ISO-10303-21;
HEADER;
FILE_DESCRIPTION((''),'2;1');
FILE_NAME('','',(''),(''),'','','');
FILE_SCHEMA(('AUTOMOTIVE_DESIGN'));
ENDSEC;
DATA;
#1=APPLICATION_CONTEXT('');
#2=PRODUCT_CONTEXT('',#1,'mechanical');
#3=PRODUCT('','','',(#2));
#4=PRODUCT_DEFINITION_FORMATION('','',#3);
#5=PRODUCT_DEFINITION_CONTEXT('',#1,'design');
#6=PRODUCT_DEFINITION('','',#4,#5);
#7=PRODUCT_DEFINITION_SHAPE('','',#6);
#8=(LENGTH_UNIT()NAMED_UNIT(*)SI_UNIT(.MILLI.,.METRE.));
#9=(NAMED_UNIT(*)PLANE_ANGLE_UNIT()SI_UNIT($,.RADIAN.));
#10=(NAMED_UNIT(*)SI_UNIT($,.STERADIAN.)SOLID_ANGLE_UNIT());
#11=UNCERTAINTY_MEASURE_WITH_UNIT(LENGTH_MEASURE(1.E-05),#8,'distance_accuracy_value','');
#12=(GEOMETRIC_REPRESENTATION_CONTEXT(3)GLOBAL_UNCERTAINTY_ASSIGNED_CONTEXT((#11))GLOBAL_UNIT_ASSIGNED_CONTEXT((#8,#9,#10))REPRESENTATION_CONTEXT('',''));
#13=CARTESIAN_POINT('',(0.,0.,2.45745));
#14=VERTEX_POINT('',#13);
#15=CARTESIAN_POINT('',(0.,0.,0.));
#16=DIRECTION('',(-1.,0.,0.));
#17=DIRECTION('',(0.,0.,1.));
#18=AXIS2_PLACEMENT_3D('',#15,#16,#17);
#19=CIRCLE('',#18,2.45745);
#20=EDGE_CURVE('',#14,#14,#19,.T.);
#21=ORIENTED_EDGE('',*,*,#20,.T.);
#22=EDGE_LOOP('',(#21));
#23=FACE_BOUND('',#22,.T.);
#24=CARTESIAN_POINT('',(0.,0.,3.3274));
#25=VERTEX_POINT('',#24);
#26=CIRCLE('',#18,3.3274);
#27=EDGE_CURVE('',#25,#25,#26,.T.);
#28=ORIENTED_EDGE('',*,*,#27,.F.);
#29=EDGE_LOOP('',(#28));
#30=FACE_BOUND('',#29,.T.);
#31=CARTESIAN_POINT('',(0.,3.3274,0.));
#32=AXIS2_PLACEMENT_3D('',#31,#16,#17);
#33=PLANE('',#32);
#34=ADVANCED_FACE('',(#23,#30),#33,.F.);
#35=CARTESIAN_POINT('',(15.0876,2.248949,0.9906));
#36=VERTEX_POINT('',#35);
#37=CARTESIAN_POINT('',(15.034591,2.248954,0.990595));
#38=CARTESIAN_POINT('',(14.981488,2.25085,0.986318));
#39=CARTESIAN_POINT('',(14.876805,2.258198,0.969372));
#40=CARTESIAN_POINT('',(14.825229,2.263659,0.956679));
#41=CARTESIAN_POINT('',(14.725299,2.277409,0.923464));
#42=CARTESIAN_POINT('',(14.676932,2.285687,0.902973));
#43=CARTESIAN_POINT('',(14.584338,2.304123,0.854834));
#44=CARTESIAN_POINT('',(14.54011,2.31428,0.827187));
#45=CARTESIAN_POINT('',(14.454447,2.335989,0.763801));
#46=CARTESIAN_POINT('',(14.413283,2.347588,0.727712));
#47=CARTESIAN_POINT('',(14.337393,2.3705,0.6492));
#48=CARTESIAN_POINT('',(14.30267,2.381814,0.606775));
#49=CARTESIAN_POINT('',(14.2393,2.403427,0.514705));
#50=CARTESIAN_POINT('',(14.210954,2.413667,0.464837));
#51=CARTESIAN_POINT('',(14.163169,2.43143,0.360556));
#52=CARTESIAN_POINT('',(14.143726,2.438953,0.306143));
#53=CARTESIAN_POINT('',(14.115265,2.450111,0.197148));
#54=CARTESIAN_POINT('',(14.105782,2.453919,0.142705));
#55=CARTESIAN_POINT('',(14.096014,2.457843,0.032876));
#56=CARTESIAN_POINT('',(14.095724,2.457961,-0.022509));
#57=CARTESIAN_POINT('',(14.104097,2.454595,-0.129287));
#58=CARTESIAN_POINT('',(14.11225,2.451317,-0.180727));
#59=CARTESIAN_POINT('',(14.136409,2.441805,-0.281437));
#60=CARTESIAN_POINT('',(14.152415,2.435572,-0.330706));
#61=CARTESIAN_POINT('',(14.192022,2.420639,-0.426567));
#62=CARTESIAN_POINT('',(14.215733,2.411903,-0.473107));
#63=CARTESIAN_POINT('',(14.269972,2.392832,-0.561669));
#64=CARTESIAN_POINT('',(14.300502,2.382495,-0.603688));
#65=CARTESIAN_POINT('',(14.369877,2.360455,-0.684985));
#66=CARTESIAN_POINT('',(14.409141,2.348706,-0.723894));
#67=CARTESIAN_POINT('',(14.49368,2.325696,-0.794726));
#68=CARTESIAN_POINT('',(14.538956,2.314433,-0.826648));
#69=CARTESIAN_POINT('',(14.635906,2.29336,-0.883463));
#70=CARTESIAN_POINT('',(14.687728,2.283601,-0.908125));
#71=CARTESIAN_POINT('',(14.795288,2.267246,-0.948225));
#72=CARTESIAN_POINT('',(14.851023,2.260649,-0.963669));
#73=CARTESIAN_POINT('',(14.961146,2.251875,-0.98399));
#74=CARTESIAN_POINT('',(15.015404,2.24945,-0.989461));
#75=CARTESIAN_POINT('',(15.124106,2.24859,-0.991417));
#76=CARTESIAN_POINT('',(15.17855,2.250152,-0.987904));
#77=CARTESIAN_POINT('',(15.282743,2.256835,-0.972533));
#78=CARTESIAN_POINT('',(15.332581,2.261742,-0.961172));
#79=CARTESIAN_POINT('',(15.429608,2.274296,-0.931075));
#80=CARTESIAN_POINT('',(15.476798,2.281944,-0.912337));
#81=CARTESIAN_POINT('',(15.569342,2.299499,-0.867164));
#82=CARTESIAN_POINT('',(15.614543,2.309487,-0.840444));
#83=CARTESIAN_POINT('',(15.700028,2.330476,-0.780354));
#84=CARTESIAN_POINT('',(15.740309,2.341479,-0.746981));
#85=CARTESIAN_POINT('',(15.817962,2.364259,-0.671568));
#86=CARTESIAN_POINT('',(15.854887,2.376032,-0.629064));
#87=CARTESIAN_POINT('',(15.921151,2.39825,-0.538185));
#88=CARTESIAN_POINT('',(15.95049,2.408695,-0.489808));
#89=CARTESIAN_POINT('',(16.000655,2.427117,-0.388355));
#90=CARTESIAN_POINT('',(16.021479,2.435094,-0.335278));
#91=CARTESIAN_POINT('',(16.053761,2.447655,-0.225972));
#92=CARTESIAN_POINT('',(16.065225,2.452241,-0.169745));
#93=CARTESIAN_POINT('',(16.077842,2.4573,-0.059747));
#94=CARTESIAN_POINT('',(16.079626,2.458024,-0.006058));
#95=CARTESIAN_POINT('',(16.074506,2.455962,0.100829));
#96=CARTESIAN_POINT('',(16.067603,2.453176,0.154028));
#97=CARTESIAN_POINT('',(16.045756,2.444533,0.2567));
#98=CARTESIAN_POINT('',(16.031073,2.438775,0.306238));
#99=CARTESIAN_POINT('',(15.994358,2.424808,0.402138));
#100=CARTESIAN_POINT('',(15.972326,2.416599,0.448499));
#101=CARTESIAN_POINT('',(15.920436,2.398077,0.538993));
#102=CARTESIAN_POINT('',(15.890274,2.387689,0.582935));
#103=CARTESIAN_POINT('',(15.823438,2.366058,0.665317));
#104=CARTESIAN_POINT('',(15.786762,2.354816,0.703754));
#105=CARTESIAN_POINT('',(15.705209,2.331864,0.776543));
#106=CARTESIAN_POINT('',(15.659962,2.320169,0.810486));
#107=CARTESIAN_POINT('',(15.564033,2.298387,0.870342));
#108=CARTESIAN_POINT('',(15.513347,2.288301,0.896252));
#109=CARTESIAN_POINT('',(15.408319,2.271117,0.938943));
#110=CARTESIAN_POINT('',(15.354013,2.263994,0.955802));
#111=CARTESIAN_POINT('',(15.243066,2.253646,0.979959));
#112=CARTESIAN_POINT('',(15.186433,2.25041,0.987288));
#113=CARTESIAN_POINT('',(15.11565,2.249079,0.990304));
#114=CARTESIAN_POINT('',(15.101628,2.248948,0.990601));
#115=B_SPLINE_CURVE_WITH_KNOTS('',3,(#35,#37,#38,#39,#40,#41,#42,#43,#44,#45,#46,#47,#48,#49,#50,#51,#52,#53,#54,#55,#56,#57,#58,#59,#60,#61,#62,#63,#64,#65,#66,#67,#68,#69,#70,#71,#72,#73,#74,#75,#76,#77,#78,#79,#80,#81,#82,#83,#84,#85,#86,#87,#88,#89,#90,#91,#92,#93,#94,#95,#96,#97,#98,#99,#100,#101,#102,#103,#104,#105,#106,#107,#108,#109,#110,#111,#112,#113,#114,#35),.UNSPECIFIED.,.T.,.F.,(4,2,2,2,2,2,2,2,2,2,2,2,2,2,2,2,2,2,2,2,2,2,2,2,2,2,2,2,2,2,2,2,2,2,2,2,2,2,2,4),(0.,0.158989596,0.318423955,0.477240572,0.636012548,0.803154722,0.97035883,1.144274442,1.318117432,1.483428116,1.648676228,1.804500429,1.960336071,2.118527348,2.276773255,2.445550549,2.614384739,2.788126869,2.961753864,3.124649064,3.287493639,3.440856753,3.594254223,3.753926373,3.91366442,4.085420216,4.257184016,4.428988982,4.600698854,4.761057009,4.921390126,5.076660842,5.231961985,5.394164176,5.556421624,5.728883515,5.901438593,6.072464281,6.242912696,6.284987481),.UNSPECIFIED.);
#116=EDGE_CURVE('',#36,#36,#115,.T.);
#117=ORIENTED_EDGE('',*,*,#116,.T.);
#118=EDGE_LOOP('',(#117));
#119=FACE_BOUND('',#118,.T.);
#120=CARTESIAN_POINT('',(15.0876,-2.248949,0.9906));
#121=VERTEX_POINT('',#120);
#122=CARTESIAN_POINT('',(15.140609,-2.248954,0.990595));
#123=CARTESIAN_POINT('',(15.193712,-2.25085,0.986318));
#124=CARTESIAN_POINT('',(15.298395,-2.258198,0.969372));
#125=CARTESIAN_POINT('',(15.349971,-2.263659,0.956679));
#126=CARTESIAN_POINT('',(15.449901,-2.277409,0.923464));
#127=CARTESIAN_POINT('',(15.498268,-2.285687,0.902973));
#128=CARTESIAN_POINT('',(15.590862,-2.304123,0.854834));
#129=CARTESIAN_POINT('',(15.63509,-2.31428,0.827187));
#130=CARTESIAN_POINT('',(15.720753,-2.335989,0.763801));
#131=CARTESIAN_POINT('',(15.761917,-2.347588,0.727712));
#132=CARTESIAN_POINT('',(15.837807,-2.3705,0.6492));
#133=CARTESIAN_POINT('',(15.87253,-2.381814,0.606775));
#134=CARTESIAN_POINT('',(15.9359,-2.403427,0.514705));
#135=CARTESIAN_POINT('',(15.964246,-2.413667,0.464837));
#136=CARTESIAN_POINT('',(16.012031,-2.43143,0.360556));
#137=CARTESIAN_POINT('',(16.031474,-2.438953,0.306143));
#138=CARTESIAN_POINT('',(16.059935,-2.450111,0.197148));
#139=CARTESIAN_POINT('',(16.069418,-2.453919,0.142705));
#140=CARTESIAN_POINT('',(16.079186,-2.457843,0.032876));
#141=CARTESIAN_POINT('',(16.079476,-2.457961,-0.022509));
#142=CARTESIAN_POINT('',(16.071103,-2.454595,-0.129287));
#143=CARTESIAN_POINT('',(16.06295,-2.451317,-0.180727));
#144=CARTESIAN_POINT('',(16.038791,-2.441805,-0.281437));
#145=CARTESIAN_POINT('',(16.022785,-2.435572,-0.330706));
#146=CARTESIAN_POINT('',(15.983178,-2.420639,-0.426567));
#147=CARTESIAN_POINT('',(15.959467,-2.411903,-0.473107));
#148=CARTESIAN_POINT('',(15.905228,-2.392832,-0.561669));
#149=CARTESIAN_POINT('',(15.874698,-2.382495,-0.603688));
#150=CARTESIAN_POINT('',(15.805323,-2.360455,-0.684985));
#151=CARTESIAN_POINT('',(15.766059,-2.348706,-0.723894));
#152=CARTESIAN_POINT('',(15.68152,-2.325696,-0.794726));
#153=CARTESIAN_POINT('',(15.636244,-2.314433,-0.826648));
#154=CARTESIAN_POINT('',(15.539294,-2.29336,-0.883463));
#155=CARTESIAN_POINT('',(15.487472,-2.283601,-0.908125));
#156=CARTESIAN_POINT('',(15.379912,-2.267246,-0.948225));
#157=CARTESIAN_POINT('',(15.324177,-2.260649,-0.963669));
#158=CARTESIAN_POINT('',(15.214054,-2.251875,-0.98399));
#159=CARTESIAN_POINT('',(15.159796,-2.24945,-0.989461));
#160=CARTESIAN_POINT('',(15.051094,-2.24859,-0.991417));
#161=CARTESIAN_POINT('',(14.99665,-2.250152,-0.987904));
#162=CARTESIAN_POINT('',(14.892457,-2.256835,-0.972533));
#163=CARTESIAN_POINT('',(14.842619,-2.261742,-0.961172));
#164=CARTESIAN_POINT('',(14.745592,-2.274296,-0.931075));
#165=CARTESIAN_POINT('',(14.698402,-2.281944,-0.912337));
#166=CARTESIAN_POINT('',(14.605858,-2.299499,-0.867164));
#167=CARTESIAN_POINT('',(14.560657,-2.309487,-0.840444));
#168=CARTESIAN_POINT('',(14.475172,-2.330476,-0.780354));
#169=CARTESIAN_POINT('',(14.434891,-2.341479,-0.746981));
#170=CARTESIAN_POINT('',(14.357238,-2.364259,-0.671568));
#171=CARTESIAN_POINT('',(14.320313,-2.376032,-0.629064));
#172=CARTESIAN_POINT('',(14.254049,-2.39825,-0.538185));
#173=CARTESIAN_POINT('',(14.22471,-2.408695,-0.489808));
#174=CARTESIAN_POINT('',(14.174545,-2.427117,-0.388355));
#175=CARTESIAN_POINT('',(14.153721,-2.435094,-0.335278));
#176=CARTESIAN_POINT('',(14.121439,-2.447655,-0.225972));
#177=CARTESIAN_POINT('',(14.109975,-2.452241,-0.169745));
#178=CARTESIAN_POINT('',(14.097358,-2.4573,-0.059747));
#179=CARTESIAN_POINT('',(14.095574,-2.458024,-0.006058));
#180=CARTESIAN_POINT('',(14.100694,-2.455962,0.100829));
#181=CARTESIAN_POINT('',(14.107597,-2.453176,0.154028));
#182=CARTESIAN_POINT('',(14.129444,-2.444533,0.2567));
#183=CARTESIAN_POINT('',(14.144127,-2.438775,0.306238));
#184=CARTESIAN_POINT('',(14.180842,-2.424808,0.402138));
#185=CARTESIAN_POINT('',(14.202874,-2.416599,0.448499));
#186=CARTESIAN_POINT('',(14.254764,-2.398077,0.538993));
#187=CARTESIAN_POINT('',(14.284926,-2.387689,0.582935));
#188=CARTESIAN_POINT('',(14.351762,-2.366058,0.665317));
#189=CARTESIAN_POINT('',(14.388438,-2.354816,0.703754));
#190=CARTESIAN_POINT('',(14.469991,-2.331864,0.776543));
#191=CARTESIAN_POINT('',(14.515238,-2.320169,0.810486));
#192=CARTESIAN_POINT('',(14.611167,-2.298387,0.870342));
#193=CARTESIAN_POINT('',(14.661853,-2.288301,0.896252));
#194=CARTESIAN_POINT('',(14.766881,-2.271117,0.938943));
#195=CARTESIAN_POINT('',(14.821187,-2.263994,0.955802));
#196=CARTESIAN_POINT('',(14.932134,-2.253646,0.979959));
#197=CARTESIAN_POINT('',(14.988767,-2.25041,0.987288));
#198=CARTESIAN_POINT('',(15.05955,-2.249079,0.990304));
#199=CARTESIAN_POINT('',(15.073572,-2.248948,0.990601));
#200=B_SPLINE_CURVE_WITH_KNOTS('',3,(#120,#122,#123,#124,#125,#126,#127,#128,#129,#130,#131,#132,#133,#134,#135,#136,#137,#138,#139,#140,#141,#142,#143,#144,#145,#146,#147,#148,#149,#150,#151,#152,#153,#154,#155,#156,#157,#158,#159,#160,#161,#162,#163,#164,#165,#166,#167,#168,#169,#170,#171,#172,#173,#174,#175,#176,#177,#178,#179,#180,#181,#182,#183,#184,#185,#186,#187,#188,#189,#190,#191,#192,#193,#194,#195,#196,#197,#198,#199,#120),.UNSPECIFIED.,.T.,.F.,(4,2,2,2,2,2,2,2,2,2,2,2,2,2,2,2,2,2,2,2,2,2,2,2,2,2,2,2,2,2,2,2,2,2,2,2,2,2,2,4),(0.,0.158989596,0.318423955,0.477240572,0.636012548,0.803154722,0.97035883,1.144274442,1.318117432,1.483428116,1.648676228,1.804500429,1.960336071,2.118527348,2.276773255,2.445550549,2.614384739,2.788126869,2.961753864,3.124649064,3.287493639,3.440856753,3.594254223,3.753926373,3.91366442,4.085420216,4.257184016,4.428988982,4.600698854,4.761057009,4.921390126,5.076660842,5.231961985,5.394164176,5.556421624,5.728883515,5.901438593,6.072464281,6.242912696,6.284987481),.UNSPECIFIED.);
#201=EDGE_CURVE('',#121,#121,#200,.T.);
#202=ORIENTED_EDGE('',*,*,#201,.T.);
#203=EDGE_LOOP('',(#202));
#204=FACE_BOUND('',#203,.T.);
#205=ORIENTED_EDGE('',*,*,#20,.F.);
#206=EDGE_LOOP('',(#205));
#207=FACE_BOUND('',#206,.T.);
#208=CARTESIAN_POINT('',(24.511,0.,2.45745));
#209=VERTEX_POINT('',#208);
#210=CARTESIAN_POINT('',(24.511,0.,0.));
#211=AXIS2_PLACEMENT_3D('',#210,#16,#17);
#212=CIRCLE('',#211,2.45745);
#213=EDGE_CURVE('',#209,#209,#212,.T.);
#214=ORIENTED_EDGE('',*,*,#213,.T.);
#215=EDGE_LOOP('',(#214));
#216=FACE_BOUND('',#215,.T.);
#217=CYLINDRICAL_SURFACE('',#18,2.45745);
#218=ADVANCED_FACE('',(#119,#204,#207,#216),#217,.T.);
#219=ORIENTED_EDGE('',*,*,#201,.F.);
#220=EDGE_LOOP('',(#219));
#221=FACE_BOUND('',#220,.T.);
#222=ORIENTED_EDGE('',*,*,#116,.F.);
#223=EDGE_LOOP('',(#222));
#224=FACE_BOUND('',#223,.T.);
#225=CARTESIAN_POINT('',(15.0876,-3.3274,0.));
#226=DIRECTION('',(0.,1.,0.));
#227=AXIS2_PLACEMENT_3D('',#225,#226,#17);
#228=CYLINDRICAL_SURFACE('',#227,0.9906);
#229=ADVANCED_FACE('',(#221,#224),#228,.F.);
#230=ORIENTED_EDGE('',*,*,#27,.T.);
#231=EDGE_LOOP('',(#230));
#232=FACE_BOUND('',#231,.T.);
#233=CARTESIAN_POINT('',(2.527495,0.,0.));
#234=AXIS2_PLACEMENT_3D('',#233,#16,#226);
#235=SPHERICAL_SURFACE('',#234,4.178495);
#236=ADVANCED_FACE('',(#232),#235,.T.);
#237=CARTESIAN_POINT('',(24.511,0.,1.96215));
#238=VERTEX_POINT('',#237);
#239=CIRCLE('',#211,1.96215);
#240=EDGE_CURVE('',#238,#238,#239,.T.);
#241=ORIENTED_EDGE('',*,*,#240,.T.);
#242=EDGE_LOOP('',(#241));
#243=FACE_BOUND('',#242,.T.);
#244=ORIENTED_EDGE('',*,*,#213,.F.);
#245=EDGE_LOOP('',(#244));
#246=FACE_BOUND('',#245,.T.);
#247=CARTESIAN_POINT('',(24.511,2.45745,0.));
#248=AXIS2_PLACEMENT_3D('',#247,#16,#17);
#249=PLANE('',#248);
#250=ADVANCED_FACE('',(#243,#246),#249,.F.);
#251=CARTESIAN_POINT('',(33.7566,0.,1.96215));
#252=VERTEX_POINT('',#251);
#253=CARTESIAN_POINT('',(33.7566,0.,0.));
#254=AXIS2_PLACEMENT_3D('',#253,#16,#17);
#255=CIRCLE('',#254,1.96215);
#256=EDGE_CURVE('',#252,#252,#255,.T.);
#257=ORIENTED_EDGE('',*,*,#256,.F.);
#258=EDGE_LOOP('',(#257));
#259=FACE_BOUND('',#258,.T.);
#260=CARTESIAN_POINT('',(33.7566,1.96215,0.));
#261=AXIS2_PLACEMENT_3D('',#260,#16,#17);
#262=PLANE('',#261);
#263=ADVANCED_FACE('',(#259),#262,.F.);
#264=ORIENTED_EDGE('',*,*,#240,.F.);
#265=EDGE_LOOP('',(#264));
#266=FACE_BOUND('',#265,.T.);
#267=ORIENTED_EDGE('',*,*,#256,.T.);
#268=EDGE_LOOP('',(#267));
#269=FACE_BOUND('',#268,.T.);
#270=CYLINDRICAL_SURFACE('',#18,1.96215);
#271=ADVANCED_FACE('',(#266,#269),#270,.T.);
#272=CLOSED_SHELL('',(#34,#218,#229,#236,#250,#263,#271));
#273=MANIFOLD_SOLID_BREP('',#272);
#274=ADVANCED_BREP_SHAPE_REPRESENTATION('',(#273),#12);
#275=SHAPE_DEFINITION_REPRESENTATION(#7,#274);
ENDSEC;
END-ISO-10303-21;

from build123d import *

# Parameters (mm, degrees)
SKETCH4_R               = 0.9906
CUT_EXTRUDE1_DEPTH      = 4.3274
CUT_EXTRUDE1_DEPTH_BACK = 4.3274


with BuildPart() as part:
    # Sketch1 → Revolve1 (revolve)
    with BuildSketch(Plane.XY):
        with BuildLine():
            Line((0, 3.3274), (0, 2.45745))
            Line((0, 2.45745), (24.511, 2.45745))
            Line((24.511, 2.45745), (24.511, 1.96215))
            Line((24.511, 1.96215), (33.7566, 1.96215))
            Line((33.7566, 1.96215), (33.7566, 0))
            Line((33.7566, 0), (-1.651, 0))
            ThreePointArc((-1.651, 0), (-1.21556162, 1.857242025), (0, 3.3274))
        make_face()
    revolve(axis=Axis((0, 0, 0), (1, 0, 0)))

    # Sketch4 → Cut-Extrude1 (cut, two sides)
    with BuildSketch(Plane(origin=(0, 0, 0), x_dir=(1, 0, 0), z_dir=(0, 1, 0))) as cut_extrude1_sk:
        with Locations((15.0876, 0)):
            Circle(SKETCH4_R)
    extrude(amount=CUT_EXTRUDE1_DEPTH, mode=Mode.SUBTRACT)
    extrude(cut_extrude1_sk.sketch, amount=-CUT_EXTRUDE1_DEPTH_BACK, mode=Mode.SUBTRACT)


solid = part.part
